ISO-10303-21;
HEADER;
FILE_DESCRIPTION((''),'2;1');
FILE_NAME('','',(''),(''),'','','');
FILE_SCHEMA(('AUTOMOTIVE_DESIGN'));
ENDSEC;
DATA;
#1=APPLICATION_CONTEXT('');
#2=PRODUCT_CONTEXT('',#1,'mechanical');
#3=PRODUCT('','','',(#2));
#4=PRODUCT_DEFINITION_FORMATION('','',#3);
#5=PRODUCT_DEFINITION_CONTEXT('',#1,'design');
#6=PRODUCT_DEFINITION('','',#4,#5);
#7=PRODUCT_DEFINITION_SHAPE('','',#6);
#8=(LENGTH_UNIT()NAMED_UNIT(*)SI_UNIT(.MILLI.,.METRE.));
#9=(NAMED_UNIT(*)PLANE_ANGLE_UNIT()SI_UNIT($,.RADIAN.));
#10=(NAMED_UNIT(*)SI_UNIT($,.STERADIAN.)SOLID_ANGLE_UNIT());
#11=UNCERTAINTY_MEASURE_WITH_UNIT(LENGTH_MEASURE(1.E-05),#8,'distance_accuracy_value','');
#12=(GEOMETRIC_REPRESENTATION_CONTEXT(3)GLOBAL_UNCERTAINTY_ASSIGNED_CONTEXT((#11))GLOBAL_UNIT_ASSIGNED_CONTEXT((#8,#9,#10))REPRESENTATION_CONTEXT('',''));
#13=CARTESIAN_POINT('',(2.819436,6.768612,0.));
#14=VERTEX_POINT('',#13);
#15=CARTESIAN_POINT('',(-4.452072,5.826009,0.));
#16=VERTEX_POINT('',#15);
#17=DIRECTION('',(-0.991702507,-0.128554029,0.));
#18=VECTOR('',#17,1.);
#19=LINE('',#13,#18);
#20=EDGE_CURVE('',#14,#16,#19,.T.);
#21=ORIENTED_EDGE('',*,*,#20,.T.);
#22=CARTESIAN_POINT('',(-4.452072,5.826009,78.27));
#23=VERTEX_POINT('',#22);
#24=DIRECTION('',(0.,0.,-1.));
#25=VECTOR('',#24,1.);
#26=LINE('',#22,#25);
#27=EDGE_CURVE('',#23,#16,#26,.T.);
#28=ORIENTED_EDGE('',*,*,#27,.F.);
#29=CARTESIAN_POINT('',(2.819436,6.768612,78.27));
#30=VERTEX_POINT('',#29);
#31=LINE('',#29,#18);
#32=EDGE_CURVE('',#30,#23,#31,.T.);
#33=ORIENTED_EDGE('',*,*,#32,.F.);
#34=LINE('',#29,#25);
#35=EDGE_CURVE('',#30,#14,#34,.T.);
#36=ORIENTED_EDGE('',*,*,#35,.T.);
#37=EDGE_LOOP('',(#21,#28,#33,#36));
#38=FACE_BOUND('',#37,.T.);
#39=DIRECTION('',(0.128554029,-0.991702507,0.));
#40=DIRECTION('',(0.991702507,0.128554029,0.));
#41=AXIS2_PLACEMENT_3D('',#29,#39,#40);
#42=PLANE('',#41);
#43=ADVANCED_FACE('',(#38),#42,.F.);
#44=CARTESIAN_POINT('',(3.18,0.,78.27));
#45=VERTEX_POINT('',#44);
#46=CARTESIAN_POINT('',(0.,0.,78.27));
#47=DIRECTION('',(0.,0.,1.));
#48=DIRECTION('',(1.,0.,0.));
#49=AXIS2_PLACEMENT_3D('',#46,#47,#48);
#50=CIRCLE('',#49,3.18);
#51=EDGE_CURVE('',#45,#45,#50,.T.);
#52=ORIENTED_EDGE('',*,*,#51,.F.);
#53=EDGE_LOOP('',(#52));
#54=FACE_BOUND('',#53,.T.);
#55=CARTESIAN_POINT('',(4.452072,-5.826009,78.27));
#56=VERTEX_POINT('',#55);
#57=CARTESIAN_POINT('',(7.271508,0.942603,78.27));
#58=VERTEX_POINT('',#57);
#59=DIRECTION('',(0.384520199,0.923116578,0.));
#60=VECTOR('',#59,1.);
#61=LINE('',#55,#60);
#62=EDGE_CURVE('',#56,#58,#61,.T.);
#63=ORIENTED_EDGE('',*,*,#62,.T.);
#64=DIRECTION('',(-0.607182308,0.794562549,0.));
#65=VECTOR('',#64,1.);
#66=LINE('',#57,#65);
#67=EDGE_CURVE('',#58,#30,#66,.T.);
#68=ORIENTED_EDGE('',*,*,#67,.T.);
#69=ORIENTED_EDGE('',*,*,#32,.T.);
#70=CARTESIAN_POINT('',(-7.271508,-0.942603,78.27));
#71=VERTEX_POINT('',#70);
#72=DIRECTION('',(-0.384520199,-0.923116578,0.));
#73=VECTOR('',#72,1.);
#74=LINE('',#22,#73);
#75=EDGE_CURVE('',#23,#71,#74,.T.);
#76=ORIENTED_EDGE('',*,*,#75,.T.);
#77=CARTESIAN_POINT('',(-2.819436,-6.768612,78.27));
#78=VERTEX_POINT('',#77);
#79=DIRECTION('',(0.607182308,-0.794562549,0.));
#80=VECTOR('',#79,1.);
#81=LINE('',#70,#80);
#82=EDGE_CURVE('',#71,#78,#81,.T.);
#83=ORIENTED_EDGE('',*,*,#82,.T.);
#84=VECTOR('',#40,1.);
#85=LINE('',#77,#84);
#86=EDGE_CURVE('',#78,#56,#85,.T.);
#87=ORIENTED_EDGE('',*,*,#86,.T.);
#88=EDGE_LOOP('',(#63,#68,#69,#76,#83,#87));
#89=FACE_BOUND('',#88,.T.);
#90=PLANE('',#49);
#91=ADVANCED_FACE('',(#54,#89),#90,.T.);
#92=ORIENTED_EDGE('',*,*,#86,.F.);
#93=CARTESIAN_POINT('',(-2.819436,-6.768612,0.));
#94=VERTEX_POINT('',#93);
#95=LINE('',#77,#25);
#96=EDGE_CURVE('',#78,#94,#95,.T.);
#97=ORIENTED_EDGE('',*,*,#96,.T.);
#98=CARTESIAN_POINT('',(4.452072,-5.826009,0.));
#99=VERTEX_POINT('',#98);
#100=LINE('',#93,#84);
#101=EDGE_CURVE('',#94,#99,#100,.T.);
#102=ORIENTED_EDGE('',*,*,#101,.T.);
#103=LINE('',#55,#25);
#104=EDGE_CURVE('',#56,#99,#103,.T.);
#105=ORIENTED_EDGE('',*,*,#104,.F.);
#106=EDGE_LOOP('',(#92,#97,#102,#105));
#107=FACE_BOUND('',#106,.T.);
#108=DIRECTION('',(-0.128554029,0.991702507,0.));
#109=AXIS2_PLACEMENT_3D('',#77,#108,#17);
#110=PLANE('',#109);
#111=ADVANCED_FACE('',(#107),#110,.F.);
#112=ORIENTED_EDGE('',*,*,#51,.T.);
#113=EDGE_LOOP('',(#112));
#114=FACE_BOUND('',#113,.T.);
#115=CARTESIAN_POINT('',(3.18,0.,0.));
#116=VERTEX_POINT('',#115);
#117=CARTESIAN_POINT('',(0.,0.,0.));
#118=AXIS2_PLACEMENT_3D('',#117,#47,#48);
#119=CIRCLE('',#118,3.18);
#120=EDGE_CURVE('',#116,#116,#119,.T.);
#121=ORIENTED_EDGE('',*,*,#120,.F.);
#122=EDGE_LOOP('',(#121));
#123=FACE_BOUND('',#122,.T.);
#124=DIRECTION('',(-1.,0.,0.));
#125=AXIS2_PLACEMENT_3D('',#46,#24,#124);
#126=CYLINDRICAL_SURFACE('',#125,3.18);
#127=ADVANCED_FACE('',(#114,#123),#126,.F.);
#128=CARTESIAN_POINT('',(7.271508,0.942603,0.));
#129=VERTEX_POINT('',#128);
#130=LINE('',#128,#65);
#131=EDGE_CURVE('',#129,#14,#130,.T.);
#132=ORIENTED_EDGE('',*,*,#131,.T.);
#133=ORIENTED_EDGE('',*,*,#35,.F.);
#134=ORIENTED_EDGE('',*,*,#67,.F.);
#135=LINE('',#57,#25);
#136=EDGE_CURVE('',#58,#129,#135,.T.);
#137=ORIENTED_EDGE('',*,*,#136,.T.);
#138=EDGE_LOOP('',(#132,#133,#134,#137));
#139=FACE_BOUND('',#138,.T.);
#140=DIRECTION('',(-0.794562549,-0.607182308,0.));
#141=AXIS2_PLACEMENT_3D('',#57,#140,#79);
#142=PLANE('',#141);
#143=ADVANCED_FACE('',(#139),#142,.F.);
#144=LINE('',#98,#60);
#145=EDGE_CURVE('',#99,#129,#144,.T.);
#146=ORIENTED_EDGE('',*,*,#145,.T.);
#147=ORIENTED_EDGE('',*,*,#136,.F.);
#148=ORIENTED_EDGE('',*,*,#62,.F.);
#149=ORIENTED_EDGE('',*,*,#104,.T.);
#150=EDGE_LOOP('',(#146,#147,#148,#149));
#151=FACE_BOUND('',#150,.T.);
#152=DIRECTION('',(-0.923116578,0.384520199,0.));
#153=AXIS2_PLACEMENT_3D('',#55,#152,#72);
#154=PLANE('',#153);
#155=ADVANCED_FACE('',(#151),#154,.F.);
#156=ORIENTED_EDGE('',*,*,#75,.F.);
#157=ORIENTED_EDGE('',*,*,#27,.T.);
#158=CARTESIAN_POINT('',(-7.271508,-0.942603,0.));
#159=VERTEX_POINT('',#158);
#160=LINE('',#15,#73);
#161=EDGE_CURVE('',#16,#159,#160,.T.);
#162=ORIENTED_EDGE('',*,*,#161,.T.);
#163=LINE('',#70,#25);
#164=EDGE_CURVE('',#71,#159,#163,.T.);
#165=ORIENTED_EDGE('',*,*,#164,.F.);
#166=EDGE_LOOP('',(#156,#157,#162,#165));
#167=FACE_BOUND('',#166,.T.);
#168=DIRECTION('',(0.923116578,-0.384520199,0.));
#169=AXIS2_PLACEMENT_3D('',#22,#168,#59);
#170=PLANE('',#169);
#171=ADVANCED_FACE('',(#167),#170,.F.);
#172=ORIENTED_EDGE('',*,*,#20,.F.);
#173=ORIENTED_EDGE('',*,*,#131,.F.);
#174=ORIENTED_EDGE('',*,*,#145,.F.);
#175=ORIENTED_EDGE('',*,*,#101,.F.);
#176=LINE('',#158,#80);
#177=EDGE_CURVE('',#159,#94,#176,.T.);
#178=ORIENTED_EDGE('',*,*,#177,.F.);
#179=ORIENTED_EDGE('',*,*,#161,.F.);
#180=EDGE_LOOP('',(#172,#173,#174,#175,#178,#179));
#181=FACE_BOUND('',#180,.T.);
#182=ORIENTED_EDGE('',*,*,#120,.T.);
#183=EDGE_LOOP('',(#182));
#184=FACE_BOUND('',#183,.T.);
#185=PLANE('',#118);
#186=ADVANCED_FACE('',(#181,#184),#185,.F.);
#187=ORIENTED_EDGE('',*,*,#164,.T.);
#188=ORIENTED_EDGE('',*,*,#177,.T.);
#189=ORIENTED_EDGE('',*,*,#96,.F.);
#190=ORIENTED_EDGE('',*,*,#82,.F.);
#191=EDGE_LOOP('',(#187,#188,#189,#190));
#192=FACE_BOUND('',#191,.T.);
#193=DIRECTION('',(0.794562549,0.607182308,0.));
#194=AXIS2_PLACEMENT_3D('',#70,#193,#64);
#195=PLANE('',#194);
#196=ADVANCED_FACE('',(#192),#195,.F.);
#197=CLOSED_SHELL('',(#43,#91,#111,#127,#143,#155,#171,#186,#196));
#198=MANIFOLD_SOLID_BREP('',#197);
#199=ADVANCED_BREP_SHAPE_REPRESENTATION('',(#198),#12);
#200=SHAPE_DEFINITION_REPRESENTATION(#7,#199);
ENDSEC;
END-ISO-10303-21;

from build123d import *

# Parameters (mm, degrees)
SKETCH1_R           = 3.18
BOSS_EXTRUDE1_DEPTH = 78.27


with BuildPart() as part:
    # Sketch1 → Boss-Extrude1 (new body)
    with BuildSketch(Plane.XY):
        Polygon((7.271508307, 0.942602929), (2.819436071, 6.768612382), (-4.452072235, 5.826009453), (-7.271508307, -0.942602929), (-2.819436071, -6.768612382), (4.452072235, -5.826009453), align=None)
        Circle(SKETCH1_R, mode=Mode.SUBTRACT)
    extrude(amount=BOSS_EXTRUDE1_DEPTH)


solid = part.part
